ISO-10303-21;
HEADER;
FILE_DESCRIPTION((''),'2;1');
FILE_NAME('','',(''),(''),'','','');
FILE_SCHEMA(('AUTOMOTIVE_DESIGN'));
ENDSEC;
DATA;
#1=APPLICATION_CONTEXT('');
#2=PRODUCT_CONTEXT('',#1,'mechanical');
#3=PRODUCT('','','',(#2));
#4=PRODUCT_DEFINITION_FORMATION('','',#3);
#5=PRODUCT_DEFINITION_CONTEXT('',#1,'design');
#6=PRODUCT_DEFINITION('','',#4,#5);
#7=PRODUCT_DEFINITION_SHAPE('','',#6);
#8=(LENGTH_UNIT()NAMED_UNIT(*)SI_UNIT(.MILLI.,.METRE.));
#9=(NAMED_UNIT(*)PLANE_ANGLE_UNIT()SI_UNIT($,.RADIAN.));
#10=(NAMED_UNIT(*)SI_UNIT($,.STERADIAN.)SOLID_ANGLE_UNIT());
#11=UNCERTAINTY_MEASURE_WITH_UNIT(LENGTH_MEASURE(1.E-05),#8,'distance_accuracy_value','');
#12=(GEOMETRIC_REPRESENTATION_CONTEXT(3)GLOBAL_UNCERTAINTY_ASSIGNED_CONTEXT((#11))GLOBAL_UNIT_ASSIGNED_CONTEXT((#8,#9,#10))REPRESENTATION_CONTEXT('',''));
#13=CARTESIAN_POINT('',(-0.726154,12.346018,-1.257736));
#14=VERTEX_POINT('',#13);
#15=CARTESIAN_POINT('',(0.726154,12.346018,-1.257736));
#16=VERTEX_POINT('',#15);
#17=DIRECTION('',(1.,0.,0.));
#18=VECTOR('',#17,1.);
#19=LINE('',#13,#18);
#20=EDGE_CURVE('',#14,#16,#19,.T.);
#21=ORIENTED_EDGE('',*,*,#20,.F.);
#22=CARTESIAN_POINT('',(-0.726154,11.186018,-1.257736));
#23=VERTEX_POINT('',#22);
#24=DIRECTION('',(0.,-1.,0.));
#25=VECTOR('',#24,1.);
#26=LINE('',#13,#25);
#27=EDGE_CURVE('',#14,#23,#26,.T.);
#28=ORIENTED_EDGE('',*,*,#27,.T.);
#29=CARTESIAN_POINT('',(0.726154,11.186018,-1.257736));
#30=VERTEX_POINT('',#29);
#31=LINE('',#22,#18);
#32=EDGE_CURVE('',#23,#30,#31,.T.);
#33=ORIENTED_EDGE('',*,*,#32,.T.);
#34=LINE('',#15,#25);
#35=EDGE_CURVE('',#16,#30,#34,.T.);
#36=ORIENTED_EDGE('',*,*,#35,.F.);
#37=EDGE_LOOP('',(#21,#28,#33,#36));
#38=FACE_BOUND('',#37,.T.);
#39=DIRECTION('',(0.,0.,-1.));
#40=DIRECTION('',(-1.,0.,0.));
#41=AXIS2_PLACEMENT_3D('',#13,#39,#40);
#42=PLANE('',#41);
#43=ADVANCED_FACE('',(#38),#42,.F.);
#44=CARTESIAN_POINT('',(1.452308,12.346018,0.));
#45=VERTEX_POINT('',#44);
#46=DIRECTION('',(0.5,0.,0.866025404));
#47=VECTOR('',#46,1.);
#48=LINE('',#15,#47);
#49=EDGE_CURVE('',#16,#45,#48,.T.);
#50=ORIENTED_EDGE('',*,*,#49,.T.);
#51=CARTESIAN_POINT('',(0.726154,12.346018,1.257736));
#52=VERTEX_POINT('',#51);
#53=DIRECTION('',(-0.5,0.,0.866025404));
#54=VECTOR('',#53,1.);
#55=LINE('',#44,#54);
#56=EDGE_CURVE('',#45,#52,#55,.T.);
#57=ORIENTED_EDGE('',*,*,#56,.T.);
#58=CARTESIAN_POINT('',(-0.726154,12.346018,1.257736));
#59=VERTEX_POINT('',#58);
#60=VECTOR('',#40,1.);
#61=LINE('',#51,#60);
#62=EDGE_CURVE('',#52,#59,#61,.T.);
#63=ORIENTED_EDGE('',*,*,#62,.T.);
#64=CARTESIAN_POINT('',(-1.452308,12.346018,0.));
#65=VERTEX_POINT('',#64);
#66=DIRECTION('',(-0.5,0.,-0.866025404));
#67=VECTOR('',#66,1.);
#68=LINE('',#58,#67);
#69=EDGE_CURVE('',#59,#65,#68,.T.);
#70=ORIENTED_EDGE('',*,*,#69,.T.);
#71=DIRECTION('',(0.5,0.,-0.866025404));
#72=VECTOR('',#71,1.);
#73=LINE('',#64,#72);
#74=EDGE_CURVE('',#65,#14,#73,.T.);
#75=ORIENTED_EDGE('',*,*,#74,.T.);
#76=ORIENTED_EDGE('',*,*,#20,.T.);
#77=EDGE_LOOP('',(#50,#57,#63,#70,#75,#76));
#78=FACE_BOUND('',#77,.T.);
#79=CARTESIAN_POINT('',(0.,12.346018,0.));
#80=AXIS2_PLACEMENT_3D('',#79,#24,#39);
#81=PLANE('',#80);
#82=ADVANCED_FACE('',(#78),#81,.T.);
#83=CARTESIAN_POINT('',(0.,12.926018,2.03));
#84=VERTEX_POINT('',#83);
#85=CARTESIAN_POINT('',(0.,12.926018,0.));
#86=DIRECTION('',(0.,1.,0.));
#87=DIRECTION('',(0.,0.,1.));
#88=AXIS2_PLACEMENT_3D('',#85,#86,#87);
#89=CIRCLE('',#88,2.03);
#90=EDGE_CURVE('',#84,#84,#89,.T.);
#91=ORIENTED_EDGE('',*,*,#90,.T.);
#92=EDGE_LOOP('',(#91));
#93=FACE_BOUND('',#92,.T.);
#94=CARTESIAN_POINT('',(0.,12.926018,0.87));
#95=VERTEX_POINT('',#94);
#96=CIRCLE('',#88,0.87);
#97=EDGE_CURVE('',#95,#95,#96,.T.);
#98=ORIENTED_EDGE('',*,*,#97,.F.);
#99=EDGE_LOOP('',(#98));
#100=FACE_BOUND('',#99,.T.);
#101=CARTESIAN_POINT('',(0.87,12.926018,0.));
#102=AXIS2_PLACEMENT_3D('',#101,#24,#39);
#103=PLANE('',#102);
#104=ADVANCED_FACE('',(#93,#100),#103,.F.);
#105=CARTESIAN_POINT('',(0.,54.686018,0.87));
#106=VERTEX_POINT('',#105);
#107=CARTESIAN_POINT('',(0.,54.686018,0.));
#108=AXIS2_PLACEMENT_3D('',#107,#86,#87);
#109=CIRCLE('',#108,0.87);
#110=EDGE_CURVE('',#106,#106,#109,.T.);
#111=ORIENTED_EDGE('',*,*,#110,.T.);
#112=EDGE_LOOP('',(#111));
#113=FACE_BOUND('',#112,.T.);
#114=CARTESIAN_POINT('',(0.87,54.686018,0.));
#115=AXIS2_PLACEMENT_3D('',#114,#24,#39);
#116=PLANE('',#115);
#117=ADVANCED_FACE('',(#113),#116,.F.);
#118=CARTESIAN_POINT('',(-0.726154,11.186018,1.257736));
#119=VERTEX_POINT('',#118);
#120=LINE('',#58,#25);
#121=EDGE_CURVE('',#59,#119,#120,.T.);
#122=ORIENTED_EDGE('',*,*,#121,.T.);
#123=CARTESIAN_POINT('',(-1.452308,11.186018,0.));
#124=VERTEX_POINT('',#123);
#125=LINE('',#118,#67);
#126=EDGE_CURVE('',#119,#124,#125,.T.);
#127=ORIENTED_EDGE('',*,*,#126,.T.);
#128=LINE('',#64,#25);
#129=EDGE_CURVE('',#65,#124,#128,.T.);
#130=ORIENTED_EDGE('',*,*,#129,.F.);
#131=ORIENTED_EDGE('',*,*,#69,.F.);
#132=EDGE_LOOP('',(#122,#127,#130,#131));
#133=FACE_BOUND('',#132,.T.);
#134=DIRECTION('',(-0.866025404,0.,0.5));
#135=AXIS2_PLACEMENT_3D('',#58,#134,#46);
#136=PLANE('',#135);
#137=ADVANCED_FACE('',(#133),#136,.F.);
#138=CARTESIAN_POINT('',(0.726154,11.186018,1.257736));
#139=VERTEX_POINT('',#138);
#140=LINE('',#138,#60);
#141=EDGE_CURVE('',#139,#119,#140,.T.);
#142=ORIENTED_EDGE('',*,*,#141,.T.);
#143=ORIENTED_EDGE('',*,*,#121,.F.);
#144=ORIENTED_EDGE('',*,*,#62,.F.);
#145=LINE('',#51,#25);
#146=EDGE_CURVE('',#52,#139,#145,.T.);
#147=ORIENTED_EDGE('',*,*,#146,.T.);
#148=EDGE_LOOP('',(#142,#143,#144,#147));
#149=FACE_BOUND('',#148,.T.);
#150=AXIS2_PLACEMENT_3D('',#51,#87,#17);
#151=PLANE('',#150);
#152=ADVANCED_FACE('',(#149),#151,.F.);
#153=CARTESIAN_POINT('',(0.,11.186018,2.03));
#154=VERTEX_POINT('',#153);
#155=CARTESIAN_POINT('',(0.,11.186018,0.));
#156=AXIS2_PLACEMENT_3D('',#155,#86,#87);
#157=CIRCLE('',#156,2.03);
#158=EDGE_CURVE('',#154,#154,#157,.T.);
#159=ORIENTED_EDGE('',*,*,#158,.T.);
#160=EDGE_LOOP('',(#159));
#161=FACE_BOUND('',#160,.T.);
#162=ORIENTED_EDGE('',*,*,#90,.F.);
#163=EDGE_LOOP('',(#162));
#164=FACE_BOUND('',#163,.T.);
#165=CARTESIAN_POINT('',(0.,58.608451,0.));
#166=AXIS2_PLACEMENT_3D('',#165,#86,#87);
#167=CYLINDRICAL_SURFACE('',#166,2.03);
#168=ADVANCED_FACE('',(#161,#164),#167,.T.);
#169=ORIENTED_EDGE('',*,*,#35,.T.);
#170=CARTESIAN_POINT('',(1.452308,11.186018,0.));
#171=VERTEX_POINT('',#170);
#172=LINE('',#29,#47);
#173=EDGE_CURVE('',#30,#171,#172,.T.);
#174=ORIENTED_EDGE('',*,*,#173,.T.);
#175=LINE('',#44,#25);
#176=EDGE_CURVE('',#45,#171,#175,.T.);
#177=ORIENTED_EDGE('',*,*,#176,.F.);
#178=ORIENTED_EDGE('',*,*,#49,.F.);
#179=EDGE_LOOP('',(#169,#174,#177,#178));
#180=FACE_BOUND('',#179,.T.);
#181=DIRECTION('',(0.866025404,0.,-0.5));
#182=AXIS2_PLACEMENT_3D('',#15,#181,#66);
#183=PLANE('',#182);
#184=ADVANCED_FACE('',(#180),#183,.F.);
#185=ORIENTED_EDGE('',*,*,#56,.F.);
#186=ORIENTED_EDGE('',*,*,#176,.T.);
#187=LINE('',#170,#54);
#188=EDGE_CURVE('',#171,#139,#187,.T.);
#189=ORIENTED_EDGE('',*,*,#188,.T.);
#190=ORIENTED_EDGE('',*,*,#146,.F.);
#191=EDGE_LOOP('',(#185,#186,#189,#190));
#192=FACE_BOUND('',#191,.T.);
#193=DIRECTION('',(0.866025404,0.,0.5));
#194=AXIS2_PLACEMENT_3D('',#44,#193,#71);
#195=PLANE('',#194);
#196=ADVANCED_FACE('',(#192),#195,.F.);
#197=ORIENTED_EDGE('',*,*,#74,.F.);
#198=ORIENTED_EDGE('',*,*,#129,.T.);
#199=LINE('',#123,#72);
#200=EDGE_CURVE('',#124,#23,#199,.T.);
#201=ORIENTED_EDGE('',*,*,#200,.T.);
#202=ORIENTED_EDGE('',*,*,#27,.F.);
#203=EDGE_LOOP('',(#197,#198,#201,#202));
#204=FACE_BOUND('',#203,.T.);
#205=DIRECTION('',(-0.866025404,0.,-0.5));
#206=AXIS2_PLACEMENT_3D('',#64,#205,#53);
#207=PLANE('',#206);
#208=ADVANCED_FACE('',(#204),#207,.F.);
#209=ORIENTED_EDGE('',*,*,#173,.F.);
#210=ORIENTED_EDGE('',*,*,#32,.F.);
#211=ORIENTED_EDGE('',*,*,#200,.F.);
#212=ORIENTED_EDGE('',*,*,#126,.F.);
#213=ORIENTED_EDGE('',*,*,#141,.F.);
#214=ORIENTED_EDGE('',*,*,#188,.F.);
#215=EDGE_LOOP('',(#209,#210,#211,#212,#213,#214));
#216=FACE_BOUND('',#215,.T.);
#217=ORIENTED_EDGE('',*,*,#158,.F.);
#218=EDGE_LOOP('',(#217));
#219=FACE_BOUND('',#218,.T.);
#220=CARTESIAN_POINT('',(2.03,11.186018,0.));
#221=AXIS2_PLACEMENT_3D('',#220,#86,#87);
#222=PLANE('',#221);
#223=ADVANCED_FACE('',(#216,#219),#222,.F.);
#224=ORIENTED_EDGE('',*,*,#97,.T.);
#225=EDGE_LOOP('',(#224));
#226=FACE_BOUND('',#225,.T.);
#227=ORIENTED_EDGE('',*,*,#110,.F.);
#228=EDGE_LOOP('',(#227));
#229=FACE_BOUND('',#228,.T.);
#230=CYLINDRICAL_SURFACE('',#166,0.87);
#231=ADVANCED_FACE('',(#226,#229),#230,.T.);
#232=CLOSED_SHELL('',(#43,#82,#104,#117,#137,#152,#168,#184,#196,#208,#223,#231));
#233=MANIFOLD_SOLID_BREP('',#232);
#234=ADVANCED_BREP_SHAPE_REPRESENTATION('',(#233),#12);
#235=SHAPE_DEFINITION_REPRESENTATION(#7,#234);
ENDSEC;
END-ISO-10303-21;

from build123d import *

# Parameters (mm, degrees)
CUT_EXTRUDE_1_DEPTH = 2
SCALE_1_SCALE       = 0.58


with BuildPart() as part:
    # 草图1 → 旋转1 (revolve)
    with BuildSketch(Plane.XY):
        Polygon((1.5, 70), (1.5, 72), (0, 72), (0, 70), (0, -3), (3.5, -3), (3.5, 0), (1.5, 0), align=None)
    revolve(axis=Axis((0, 78.762815816, 0), (0, -1, 0)))

    # 草图2 → 切除-拉伸1 (cut)
    with BuildSketch(Plane.XZ.offset(3)):
        Polygon((2.503979876, 0), (1.251989938, 2.168510183), (-1.251989938, 2.168510183), (-2.503979876, 0), (-1.251989938, -2.168510183), (1.251989938, -2.168510183), align=None)
    extrude(amount=-CUT_EXTRUDE_1_DEPTH, mode=Mode.SUBTRACT)


with BuildPart() as part_1:
    # 缩放比例1: scaled about (0, 30.776232498, 0)
    add(part.part.scale(SCALE_1_SCALE).moved(Location((0, 12.926017649, 0))))


solid = part_1.part
